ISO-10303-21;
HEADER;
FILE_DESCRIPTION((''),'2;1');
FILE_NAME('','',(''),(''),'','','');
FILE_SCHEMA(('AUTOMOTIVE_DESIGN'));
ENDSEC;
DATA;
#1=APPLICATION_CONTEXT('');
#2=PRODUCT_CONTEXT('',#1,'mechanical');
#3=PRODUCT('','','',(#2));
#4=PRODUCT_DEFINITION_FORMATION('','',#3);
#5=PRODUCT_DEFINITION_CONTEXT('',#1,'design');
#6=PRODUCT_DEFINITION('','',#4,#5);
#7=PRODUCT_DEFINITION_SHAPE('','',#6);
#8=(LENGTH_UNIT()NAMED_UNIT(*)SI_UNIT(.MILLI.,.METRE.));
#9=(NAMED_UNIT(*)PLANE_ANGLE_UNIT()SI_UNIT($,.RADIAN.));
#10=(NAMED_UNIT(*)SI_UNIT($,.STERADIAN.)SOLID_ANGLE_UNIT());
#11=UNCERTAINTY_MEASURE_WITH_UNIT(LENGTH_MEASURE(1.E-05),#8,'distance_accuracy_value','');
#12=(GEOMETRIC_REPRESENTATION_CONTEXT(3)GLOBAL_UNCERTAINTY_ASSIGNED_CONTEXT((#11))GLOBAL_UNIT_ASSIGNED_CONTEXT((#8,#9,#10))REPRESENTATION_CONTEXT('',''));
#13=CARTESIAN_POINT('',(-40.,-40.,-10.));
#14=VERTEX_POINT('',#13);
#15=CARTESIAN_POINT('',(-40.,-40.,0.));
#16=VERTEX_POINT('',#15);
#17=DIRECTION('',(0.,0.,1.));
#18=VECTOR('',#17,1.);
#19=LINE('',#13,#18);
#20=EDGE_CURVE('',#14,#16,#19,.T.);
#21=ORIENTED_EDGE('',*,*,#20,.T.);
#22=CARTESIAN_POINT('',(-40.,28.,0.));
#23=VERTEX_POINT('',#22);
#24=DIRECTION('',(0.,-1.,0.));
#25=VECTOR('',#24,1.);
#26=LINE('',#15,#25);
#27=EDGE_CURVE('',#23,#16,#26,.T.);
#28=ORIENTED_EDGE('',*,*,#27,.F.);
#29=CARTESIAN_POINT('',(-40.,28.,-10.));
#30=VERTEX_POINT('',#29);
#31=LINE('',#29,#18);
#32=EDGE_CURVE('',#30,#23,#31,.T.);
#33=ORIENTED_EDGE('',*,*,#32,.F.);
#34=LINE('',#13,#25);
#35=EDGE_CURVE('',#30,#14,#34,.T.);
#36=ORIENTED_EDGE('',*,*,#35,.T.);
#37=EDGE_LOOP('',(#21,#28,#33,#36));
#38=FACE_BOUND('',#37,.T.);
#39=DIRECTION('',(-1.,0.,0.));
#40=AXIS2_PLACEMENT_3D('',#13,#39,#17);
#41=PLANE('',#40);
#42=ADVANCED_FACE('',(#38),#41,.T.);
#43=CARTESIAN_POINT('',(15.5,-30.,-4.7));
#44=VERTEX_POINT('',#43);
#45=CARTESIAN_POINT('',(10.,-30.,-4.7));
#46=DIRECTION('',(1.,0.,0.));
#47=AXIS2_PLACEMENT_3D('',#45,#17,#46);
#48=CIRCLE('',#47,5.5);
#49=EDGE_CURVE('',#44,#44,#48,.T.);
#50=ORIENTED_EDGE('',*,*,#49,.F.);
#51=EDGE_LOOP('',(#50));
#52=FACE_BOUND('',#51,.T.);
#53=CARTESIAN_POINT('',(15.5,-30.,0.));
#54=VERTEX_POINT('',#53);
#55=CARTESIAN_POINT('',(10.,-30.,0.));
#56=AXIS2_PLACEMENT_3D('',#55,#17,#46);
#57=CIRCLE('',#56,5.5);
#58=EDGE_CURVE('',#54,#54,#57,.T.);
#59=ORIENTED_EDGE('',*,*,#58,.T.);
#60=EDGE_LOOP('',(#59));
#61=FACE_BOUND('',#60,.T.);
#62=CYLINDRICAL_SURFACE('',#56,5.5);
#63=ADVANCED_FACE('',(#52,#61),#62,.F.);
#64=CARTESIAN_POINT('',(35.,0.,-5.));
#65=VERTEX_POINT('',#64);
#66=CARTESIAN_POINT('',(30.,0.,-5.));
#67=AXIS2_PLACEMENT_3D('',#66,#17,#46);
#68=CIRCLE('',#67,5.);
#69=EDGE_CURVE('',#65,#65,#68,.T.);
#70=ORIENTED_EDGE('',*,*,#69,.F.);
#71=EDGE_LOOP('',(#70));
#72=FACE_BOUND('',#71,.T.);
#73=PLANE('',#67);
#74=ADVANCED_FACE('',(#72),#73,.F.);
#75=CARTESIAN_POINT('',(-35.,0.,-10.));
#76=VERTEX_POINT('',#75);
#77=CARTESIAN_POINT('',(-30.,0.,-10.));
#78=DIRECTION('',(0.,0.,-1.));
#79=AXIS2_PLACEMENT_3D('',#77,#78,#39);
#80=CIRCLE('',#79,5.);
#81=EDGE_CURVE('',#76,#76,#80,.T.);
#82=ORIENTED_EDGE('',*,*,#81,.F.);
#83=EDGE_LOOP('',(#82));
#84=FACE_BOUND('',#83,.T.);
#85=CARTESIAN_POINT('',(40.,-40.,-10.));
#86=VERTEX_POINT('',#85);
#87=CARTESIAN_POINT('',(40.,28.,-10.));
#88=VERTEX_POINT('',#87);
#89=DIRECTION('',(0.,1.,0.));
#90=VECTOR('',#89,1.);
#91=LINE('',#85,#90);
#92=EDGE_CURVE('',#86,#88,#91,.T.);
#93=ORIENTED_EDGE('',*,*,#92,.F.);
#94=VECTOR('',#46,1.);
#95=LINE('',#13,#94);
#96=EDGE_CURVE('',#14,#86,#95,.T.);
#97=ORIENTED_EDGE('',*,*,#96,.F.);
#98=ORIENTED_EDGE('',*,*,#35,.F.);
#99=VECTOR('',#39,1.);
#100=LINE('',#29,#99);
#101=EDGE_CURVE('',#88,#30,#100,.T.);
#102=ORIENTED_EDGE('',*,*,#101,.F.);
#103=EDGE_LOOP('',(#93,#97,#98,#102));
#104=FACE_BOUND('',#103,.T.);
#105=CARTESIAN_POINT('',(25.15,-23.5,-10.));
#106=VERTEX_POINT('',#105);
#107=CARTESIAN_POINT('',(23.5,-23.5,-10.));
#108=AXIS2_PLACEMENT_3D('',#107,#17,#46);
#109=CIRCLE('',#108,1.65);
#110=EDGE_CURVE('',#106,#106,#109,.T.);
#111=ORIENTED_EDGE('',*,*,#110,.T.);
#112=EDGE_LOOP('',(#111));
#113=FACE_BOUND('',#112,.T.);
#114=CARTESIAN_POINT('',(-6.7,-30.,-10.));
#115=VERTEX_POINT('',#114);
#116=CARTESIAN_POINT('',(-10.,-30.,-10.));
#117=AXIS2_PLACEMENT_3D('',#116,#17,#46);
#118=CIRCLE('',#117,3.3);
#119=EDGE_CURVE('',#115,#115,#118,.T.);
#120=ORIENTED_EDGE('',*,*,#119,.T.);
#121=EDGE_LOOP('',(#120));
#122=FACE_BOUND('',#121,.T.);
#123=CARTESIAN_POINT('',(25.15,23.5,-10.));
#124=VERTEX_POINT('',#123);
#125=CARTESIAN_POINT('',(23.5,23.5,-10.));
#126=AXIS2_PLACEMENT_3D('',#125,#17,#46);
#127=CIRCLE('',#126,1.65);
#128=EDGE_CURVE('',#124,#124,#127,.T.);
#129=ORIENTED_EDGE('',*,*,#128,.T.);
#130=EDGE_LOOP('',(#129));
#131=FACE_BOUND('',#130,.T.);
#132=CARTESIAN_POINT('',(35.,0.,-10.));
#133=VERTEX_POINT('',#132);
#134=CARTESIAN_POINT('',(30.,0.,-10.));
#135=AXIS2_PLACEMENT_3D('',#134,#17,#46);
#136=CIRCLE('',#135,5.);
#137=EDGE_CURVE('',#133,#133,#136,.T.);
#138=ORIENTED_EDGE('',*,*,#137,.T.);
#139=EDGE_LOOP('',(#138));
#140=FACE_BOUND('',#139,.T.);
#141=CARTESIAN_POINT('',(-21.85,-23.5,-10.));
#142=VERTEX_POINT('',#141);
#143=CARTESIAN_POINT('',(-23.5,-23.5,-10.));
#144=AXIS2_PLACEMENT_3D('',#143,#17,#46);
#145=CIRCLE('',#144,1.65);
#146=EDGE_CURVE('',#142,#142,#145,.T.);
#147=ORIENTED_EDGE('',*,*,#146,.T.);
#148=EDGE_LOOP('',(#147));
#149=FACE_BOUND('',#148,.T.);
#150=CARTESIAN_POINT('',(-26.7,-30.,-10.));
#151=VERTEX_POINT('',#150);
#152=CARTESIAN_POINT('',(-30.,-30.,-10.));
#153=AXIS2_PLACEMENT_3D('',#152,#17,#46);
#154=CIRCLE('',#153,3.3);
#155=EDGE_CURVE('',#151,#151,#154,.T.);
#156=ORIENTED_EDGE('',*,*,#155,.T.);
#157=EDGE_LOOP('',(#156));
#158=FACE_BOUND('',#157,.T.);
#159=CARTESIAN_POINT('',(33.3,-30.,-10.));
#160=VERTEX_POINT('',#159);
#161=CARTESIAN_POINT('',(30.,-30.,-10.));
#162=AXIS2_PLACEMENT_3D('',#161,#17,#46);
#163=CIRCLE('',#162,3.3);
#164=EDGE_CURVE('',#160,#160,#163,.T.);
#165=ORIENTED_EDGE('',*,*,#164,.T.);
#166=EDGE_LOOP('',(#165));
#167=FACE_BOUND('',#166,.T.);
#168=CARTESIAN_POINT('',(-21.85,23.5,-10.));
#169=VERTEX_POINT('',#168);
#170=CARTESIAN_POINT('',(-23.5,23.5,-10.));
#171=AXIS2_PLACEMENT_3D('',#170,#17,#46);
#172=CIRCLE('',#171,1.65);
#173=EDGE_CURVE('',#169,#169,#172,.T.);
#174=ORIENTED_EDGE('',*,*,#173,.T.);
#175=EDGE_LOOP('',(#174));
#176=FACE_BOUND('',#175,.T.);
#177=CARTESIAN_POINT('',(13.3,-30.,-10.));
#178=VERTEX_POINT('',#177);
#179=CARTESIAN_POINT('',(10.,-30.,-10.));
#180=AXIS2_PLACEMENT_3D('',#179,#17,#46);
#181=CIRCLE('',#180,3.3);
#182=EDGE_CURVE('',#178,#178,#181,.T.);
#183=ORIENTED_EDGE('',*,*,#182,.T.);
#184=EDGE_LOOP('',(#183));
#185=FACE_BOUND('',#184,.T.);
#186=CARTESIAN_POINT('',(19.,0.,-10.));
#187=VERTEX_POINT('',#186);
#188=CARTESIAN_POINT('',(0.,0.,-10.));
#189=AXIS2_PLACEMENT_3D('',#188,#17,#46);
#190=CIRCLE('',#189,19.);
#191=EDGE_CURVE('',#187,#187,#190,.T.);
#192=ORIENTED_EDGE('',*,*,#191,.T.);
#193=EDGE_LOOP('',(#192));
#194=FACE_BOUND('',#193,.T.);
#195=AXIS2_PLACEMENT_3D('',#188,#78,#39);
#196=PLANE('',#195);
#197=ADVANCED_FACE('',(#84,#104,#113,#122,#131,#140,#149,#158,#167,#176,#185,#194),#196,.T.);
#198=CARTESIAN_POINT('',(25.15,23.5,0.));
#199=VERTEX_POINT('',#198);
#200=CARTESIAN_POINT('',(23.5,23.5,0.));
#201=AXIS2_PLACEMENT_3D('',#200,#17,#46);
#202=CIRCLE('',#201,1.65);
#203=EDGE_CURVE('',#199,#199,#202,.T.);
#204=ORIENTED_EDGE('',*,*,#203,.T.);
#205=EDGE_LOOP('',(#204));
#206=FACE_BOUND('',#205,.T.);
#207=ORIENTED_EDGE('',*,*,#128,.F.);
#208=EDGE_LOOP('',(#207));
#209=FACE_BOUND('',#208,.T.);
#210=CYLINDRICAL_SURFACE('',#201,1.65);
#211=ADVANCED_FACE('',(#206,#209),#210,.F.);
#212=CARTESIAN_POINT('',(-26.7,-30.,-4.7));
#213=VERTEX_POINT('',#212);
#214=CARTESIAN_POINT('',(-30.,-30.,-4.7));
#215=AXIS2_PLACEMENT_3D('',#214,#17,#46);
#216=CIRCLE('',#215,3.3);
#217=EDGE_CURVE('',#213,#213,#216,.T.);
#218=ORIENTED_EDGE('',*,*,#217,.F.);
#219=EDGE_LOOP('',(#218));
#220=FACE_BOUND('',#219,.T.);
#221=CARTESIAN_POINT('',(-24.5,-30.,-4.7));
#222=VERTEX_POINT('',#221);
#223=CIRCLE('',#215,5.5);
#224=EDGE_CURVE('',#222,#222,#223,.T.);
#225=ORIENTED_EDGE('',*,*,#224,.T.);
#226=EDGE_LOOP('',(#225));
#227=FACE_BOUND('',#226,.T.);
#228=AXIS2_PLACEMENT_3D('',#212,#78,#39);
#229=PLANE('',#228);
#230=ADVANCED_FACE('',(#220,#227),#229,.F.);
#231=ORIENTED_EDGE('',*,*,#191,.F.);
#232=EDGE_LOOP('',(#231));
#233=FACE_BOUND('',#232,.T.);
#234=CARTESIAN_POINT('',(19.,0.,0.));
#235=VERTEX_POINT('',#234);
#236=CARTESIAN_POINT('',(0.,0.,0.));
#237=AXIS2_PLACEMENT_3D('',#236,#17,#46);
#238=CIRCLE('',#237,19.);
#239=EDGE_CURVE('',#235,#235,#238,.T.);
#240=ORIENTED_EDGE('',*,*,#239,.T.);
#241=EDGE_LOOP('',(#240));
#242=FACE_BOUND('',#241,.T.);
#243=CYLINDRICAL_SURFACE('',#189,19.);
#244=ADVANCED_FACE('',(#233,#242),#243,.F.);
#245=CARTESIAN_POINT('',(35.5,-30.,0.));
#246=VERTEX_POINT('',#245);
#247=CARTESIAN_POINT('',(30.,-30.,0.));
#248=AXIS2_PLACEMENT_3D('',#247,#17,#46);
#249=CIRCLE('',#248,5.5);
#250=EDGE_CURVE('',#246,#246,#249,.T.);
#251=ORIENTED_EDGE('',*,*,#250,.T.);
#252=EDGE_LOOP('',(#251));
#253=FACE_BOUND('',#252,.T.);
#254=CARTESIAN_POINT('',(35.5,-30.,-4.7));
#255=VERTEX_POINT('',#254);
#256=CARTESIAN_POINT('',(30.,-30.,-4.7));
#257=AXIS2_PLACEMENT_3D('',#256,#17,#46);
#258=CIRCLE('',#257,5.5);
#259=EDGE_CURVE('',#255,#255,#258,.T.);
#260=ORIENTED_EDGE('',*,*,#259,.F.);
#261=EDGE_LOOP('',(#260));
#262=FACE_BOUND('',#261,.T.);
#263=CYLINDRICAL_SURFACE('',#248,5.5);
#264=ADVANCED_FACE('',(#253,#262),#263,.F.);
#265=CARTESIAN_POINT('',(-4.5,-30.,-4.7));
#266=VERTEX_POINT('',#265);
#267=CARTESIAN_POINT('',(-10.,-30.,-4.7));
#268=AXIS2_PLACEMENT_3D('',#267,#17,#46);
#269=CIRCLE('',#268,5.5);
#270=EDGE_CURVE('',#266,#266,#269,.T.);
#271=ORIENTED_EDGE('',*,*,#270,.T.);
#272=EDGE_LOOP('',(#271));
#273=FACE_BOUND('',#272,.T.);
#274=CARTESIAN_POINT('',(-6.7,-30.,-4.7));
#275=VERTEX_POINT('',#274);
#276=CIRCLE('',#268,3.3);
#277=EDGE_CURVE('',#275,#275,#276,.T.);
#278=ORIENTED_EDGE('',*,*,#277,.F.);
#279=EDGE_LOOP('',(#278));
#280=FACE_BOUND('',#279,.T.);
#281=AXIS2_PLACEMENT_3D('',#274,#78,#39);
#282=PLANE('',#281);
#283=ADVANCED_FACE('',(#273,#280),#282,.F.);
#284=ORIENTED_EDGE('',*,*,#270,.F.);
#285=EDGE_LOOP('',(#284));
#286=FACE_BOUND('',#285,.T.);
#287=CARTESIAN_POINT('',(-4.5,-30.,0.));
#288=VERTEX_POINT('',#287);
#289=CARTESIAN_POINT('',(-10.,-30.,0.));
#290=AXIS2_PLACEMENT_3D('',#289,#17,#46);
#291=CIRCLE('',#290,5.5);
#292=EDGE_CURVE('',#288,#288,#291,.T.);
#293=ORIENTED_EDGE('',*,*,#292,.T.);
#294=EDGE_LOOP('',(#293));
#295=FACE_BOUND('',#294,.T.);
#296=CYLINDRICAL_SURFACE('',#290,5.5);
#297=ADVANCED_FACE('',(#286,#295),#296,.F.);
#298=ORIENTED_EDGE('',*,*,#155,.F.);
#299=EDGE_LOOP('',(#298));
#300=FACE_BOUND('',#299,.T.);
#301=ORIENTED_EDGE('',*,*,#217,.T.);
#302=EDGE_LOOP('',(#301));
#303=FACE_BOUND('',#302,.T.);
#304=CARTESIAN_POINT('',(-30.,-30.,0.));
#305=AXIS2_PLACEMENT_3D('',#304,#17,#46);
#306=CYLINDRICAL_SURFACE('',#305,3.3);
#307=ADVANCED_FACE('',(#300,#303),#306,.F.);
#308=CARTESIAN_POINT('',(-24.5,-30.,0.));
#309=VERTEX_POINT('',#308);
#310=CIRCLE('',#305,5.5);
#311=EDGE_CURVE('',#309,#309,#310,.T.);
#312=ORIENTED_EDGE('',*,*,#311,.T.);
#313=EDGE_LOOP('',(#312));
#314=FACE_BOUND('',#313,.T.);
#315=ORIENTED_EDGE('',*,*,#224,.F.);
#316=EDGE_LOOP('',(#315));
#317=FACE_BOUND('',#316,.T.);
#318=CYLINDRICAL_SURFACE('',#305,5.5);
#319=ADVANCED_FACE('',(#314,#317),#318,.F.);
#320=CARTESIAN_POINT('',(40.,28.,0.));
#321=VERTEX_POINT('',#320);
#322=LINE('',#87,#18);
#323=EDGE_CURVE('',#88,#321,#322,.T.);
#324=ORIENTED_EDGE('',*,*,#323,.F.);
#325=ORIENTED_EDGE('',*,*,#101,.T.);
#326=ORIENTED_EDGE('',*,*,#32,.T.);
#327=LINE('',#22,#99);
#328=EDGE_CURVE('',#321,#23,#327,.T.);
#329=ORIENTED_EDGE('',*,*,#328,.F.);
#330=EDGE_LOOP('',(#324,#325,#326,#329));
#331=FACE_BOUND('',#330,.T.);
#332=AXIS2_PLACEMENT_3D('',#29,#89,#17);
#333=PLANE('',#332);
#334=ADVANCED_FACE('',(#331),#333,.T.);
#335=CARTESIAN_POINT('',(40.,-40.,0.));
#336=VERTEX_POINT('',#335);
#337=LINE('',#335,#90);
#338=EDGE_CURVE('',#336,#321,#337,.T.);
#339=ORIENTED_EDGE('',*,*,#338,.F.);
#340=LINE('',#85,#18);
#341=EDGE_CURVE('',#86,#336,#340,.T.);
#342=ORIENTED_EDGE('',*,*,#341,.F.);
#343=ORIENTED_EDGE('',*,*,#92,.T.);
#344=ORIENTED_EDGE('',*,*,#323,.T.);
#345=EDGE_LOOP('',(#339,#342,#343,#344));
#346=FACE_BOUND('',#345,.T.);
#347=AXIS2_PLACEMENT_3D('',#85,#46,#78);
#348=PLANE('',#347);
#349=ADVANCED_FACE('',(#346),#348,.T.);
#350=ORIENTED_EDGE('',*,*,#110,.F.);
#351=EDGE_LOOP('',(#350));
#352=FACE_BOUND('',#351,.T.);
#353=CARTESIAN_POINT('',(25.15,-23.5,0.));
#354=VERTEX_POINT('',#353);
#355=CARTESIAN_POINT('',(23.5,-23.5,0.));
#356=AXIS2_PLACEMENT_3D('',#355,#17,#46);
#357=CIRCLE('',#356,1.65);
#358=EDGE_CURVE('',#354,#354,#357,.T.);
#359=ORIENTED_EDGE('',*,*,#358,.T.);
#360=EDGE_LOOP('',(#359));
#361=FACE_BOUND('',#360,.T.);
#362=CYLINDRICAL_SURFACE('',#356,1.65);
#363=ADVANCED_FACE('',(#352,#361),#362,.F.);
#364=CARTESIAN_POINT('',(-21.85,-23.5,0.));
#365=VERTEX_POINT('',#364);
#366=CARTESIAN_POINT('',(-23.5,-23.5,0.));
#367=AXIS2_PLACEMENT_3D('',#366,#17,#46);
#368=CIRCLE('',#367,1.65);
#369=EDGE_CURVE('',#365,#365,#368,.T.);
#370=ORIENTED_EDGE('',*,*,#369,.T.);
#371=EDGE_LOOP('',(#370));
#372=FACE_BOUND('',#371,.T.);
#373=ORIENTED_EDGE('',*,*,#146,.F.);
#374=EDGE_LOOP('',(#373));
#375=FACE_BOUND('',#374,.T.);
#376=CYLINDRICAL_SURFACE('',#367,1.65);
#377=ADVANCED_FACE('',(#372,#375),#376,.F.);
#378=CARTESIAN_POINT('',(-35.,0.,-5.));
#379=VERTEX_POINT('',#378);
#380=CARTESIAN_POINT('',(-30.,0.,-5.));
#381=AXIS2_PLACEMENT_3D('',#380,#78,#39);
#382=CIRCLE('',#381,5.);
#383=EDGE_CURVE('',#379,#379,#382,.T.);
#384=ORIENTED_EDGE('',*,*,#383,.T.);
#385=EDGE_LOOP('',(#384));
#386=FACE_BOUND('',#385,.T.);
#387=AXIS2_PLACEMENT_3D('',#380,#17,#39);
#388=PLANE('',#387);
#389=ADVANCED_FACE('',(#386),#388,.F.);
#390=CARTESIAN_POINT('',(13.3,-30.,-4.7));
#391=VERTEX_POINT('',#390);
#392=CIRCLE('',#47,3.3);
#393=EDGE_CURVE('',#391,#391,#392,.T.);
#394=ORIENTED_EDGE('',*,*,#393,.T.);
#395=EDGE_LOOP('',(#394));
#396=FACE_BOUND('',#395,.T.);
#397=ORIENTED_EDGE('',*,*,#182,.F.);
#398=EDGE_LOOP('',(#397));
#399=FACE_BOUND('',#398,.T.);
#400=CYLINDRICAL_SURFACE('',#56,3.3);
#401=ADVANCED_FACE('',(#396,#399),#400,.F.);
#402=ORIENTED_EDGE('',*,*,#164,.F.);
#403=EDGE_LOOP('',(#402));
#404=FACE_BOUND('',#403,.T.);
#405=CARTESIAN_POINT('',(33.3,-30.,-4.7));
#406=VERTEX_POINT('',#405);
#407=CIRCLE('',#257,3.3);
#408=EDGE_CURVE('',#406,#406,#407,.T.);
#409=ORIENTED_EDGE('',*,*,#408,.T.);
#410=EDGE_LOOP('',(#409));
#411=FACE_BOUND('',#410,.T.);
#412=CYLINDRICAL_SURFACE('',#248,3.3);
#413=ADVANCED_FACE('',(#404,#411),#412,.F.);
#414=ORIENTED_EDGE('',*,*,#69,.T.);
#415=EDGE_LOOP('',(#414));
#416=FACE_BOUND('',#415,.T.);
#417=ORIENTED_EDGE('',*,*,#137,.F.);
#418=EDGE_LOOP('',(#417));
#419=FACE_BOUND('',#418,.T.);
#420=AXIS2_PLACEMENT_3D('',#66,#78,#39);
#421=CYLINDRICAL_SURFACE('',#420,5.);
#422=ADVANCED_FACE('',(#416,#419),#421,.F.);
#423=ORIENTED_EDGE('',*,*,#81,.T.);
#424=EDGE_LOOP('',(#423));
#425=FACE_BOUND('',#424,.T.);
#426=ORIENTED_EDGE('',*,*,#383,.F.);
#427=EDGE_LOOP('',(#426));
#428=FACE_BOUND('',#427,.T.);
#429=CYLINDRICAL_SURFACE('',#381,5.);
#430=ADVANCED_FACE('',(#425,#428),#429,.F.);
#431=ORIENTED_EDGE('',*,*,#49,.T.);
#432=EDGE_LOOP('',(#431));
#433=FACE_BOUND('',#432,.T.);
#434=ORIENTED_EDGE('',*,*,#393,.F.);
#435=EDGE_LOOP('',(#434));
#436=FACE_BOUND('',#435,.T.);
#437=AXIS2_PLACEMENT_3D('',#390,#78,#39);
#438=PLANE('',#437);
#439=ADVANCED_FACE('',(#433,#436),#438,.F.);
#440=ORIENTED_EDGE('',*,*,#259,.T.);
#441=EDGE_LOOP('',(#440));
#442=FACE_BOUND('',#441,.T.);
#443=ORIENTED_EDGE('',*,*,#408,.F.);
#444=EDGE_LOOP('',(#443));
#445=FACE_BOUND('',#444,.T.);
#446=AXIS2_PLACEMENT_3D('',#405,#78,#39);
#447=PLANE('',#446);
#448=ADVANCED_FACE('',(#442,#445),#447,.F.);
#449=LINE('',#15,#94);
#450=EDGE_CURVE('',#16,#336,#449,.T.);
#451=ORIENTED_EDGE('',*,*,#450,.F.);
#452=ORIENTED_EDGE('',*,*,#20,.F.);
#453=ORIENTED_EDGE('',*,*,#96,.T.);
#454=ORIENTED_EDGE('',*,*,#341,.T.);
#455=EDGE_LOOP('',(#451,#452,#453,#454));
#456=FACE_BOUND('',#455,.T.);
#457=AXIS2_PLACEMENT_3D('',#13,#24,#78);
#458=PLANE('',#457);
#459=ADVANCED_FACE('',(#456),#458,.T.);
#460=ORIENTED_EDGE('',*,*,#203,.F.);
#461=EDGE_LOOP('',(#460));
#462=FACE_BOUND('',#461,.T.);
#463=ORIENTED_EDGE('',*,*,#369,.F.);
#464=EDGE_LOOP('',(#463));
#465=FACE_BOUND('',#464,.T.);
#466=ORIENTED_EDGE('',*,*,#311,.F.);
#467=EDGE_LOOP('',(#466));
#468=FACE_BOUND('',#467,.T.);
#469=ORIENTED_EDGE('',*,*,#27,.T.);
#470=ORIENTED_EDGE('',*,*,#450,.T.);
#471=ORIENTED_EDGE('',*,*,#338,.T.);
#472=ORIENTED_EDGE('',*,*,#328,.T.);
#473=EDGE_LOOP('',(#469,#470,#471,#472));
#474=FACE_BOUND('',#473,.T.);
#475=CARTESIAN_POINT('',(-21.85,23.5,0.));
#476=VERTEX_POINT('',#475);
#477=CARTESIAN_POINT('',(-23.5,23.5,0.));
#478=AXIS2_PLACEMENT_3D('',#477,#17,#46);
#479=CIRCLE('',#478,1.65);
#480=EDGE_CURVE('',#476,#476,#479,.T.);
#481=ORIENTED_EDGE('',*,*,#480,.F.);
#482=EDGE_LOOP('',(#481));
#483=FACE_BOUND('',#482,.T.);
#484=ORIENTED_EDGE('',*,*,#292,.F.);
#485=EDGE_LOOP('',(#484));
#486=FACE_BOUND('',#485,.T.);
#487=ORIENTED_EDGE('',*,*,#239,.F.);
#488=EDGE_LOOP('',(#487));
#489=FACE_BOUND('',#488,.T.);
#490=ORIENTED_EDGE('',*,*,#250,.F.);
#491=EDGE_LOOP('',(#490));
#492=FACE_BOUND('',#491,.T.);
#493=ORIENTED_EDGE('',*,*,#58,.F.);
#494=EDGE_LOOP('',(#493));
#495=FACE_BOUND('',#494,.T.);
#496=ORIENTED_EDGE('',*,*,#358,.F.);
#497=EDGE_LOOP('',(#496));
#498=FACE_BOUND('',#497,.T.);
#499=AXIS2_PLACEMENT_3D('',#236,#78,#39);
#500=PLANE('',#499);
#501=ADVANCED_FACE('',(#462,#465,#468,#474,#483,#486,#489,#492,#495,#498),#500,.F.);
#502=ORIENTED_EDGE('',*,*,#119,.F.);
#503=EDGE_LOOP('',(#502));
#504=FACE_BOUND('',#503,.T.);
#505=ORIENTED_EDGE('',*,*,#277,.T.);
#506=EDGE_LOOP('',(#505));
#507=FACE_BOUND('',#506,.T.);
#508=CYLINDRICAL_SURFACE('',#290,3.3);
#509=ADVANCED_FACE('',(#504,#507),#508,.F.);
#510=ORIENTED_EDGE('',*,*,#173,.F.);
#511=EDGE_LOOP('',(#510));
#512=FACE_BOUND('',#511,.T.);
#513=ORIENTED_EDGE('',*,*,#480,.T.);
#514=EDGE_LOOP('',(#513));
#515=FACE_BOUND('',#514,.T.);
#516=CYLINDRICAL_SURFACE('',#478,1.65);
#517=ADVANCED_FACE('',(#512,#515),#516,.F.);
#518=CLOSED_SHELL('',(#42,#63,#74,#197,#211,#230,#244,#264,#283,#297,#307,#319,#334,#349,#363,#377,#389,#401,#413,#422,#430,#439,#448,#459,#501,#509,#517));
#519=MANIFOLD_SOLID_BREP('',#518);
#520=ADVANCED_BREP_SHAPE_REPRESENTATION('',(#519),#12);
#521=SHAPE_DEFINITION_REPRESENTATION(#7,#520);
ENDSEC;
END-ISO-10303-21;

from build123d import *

# Parameters (mm, degrees)
SKETCH_1_W                   = 80
SKETCH_1_H                   = 68
EXTRUDE_1_DEPTH              = 10
SKETCH_2_R                   = 19
CUT_EXTRUDE_1_DEPTH          = 10
HOLE_WIZARD_M6_1_D           = 6.6
HOLE_WIZARD_M6_1_CBORE_D     = 11
HOLE_WIZARD_M6_1_CBORE_DEPTH = 4.7
HOLE_WIZARD_M4_1_D           = 3.3
SKETCH_7_R                   = 5
CUT_EXTRUDE_2_DEPTH          = 5


with BuildPart() as part:
    # 草图1 → 凸台-拉伸1 (new body)
    with BuildSketch(Plane.XY):
        with Locations((0, -6)):
            Rectangle(SKETCH_1_W, SKETCH_1_H)
    extrude(amount=-EXTRUDE_1_DEPTH)

    # 草图2 → 切除-拉伸1 (cut)
    with BuildSketch(Plane.XY):
        Circle(SKETCH_2_R)
    extrude(amount=-CUT_EXTRUDE_1_DEPTH, mode=Mode.SUBTRACT)

    # M6 内六角花型圆柱头螺钉的柱形沉头孔1 (through all)
    with Locations(Plane.XY):
        with Locations((30, -30), (-30, -30), (10, -30), (-10, -30)):
            CounterBoreHole(HOLE_WIZARD_M6_1_D / 2, HOLE_WIZARD_M6_1_CBORE_D / 2, HOLE_WIZARD_M6_1_CBORE_DEPTH)

    # M4 螺纹孔1 (through all)
    with Locations(Plane.XY):
        with Locations((23.5, -23.5), (0, 0), (23.5, 23.5), (-23.5, -23.5), (-23.5, 23.5)):
            Hole(HOLE_WIZARD_M4_1_D / 2)

    # 草图7 → 切除-拉伸2 (cut)
    with BuildSketch(Plane.XY.offset(-10)):
        with Locations((30, 0)):
            Circle(SKETCH_7_R)
    cut_extrude_2 = extrude(amount=CUT_EXTRUDE_2_DEPTH, mode=Mode.SUBTRACT)

    # 镜向1: 切除-拉伸2 across plane
    add(cut_extrude_2.mirror(Plane(origin=(0, 0, 0), x_dir=(0, 0, 1), z_dir=(1, 0, 0))), mode=Mode.SUBTRACT)


solid = part.part
